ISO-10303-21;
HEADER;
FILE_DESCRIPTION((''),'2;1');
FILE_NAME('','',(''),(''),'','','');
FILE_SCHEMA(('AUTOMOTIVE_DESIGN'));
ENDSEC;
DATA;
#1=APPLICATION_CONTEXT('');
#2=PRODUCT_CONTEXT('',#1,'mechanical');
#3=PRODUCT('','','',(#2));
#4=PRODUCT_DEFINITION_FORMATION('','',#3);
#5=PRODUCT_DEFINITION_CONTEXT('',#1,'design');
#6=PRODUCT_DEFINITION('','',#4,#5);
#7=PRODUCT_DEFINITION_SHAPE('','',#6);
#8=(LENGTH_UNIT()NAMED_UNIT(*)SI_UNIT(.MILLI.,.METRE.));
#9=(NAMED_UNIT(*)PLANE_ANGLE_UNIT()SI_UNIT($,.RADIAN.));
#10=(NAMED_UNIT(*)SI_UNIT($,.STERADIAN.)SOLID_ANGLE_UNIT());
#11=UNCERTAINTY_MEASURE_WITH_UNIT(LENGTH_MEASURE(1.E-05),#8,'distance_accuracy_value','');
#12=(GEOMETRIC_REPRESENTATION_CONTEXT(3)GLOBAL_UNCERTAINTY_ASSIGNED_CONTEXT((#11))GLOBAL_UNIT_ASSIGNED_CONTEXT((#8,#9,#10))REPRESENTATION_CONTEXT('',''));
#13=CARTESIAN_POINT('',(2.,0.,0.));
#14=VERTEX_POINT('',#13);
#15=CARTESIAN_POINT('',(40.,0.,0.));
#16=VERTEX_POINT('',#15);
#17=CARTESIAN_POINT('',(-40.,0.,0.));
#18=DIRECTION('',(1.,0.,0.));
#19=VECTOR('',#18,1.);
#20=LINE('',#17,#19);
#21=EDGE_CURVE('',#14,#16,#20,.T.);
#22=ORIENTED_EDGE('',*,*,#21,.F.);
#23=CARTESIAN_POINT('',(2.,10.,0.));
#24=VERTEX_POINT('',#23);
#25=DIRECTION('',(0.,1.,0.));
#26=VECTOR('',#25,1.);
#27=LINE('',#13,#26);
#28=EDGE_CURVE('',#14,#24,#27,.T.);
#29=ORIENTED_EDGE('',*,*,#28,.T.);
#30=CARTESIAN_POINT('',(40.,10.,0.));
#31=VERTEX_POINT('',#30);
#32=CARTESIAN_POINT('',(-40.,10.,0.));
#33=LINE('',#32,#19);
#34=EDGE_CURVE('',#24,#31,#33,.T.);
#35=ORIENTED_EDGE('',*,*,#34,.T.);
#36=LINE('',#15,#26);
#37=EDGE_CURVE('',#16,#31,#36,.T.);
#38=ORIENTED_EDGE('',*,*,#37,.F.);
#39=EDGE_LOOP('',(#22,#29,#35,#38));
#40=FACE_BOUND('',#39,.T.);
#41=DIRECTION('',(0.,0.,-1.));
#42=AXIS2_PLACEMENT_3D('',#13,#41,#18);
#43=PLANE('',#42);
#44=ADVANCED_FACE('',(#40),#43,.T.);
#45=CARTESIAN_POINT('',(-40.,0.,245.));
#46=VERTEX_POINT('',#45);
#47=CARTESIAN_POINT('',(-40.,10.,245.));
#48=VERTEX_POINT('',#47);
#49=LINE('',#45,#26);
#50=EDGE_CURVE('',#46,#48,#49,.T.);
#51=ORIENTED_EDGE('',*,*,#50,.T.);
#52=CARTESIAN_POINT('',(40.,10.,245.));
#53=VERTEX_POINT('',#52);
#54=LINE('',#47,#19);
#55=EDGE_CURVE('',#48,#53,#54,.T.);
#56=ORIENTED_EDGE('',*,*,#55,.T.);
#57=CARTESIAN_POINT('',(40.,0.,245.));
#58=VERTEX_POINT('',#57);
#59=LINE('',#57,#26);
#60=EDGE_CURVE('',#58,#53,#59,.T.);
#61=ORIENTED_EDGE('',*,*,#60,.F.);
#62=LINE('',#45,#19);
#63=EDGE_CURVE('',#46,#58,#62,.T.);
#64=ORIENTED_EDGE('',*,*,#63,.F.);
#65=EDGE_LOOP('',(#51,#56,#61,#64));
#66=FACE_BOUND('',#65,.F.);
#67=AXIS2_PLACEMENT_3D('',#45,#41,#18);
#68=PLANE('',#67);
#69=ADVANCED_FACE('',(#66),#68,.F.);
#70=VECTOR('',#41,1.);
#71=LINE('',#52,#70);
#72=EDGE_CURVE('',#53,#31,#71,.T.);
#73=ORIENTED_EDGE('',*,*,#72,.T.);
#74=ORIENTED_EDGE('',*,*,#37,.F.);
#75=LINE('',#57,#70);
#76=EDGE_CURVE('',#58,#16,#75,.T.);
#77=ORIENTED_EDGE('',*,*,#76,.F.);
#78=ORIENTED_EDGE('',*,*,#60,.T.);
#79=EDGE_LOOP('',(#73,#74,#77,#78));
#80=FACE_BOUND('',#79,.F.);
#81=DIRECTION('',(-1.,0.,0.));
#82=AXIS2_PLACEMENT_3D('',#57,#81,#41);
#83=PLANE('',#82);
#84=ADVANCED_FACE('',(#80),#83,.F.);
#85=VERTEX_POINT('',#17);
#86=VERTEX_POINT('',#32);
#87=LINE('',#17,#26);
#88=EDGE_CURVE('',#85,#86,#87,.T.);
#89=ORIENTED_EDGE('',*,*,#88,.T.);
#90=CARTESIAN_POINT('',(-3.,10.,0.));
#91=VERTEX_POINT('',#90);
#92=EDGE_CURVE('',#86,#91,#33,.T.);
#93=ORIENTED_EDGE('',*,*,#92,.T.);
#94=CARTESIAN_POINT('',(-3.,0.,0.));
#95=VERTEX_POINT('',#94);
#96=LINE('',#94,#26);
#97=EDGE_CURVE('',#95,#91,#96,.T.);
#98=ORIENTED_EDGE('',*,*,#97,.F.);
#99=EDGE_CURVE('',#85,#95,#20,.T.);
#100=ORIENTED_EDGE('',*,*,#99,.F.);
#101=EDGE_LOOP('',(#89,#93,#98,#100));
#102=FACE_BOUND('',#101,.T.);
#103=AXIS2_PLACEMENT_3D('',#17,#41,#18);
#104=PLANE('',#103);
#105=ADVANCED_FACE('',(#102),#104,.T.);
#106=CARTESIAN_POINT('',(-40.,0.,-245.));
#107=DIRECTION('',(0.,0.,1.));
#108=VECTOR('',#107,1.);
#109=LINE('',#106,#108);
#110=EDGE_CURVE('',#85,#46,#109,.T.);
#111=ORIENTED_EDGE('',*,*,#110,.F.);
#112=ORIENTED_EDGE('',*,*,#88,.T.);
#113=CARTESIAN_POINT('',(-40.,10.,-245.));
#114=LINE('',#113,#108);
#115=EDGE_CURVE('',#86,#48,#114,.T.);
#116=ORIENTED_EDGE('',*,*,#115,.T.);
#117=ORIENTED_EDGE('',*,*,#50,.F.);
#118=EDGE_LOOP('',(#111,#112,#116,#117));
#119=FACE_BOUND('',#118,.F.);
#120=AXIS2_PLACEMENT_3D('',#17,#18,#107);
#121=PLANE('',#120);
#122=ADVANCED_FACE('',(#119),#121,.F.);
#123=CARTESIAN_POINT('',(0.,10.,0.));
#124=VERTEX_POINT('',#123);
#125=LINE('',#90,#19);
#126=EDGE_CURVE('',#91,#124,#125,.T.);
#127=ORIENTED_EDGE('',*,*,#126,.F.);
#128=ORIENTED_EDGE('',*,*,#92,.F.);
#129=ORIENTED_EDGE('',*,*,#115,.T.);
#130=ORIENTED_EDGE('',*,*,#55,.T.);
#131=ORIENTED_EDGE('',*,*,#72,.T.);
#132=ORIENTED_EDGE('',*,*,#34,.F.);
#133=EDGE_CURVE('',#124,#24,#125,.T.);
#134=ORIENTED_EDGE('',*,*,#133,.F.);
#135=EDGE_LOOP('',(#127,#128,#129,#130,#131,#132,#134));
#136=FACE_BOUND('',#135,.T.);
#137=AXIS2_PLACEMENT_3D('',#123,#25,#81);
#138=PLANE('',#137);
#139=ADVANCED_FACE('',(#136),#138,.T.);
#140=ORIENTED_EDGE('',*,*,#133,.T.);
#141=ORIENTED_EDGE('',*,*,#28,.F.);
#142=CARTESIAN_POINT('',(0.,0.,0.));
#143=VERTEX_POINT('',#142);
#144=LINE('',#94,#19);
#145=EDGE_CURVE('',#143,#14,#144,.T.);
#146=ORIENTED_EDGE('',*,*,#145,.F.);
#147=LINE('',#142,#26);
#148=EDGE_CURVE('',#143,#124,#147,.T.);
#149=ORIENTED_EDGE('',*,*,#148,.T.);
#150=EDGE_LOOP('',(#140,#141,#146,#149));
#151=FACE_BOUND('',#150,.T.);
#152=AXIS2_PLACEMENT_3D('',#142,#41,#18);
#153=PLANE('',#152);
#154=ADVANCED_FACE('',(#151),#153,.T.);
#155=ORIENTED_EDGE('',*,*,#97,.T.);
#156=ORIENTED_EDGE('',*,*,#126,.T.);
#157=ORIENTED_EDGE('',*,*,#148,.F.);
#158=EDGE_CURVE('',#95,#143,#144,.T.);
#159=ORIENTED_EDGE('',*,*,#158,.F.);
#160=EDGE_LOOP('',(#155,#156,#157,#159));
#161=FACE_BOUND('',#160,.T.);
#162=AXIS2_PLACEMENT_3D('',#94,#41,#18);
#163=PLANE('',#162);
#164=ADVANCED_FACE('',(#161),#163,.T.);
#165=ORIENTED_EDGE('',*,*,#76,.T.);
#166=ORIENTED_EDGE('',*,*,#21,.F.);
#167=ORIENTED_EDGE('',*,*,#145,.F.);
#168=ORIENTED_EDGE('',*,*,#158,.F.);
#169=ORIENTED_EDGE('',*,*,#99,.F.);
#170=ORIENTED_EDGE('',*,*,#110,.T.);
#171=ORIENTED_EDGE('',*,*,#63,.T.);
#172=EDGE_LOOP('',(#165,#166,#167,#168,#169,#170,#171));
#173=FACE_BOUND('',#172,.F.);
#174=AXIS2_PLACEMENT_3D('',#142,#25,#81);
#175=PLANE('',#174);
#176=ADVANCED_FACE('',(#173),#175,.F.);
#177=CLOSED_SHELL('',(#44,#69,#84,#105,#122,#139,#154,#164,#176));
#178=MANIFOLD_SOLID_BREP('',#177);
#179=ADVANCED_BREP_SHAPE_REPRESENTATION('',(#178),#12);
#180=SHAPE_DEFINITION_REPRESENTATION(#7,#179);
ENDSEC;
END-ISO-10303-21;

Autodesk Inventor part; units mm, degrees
ref_plane "YZ Plane" through (0, 0, 0) normal (1, 0, 0) x (0, 1, 0)
ref_plane "XZ Plane" through (0, 0, 0) normal (0, 1, 0) x (-1, 0, 0)
ref_plane "XY Plane" through (0, 0, 0) normal (0, 0, 1) x (1, 0, 0)
sketch "草图1" plane through (0, 0, 0) normal (0, 1, 0) x (-1, 0, 0)
  line L0 (40, 245) -> (-40, 245)
  line L1 (-40, 245) -> (-40, -245)
  line L2 (-40, -245) -> (40, -245)
  line L3 (40, -245) -> (40, 245)
  line L4 (0, 5.532) -> (0, -5.7915)
  line L5 (3, 0) -> (-2, 0)
  line L6 (40, 0) -> (-40, 0)
  point P0 (0, 0)
  point P1 (0, 0)
  point P2 (-2, 0)
  dimension "d0" = 80
  dimension "d1" = 490
extrude "拉伸1" add sketch "草图1" along normal blind 10 contours L3 L6 L5 L1 L0
properties part number "front_1"
